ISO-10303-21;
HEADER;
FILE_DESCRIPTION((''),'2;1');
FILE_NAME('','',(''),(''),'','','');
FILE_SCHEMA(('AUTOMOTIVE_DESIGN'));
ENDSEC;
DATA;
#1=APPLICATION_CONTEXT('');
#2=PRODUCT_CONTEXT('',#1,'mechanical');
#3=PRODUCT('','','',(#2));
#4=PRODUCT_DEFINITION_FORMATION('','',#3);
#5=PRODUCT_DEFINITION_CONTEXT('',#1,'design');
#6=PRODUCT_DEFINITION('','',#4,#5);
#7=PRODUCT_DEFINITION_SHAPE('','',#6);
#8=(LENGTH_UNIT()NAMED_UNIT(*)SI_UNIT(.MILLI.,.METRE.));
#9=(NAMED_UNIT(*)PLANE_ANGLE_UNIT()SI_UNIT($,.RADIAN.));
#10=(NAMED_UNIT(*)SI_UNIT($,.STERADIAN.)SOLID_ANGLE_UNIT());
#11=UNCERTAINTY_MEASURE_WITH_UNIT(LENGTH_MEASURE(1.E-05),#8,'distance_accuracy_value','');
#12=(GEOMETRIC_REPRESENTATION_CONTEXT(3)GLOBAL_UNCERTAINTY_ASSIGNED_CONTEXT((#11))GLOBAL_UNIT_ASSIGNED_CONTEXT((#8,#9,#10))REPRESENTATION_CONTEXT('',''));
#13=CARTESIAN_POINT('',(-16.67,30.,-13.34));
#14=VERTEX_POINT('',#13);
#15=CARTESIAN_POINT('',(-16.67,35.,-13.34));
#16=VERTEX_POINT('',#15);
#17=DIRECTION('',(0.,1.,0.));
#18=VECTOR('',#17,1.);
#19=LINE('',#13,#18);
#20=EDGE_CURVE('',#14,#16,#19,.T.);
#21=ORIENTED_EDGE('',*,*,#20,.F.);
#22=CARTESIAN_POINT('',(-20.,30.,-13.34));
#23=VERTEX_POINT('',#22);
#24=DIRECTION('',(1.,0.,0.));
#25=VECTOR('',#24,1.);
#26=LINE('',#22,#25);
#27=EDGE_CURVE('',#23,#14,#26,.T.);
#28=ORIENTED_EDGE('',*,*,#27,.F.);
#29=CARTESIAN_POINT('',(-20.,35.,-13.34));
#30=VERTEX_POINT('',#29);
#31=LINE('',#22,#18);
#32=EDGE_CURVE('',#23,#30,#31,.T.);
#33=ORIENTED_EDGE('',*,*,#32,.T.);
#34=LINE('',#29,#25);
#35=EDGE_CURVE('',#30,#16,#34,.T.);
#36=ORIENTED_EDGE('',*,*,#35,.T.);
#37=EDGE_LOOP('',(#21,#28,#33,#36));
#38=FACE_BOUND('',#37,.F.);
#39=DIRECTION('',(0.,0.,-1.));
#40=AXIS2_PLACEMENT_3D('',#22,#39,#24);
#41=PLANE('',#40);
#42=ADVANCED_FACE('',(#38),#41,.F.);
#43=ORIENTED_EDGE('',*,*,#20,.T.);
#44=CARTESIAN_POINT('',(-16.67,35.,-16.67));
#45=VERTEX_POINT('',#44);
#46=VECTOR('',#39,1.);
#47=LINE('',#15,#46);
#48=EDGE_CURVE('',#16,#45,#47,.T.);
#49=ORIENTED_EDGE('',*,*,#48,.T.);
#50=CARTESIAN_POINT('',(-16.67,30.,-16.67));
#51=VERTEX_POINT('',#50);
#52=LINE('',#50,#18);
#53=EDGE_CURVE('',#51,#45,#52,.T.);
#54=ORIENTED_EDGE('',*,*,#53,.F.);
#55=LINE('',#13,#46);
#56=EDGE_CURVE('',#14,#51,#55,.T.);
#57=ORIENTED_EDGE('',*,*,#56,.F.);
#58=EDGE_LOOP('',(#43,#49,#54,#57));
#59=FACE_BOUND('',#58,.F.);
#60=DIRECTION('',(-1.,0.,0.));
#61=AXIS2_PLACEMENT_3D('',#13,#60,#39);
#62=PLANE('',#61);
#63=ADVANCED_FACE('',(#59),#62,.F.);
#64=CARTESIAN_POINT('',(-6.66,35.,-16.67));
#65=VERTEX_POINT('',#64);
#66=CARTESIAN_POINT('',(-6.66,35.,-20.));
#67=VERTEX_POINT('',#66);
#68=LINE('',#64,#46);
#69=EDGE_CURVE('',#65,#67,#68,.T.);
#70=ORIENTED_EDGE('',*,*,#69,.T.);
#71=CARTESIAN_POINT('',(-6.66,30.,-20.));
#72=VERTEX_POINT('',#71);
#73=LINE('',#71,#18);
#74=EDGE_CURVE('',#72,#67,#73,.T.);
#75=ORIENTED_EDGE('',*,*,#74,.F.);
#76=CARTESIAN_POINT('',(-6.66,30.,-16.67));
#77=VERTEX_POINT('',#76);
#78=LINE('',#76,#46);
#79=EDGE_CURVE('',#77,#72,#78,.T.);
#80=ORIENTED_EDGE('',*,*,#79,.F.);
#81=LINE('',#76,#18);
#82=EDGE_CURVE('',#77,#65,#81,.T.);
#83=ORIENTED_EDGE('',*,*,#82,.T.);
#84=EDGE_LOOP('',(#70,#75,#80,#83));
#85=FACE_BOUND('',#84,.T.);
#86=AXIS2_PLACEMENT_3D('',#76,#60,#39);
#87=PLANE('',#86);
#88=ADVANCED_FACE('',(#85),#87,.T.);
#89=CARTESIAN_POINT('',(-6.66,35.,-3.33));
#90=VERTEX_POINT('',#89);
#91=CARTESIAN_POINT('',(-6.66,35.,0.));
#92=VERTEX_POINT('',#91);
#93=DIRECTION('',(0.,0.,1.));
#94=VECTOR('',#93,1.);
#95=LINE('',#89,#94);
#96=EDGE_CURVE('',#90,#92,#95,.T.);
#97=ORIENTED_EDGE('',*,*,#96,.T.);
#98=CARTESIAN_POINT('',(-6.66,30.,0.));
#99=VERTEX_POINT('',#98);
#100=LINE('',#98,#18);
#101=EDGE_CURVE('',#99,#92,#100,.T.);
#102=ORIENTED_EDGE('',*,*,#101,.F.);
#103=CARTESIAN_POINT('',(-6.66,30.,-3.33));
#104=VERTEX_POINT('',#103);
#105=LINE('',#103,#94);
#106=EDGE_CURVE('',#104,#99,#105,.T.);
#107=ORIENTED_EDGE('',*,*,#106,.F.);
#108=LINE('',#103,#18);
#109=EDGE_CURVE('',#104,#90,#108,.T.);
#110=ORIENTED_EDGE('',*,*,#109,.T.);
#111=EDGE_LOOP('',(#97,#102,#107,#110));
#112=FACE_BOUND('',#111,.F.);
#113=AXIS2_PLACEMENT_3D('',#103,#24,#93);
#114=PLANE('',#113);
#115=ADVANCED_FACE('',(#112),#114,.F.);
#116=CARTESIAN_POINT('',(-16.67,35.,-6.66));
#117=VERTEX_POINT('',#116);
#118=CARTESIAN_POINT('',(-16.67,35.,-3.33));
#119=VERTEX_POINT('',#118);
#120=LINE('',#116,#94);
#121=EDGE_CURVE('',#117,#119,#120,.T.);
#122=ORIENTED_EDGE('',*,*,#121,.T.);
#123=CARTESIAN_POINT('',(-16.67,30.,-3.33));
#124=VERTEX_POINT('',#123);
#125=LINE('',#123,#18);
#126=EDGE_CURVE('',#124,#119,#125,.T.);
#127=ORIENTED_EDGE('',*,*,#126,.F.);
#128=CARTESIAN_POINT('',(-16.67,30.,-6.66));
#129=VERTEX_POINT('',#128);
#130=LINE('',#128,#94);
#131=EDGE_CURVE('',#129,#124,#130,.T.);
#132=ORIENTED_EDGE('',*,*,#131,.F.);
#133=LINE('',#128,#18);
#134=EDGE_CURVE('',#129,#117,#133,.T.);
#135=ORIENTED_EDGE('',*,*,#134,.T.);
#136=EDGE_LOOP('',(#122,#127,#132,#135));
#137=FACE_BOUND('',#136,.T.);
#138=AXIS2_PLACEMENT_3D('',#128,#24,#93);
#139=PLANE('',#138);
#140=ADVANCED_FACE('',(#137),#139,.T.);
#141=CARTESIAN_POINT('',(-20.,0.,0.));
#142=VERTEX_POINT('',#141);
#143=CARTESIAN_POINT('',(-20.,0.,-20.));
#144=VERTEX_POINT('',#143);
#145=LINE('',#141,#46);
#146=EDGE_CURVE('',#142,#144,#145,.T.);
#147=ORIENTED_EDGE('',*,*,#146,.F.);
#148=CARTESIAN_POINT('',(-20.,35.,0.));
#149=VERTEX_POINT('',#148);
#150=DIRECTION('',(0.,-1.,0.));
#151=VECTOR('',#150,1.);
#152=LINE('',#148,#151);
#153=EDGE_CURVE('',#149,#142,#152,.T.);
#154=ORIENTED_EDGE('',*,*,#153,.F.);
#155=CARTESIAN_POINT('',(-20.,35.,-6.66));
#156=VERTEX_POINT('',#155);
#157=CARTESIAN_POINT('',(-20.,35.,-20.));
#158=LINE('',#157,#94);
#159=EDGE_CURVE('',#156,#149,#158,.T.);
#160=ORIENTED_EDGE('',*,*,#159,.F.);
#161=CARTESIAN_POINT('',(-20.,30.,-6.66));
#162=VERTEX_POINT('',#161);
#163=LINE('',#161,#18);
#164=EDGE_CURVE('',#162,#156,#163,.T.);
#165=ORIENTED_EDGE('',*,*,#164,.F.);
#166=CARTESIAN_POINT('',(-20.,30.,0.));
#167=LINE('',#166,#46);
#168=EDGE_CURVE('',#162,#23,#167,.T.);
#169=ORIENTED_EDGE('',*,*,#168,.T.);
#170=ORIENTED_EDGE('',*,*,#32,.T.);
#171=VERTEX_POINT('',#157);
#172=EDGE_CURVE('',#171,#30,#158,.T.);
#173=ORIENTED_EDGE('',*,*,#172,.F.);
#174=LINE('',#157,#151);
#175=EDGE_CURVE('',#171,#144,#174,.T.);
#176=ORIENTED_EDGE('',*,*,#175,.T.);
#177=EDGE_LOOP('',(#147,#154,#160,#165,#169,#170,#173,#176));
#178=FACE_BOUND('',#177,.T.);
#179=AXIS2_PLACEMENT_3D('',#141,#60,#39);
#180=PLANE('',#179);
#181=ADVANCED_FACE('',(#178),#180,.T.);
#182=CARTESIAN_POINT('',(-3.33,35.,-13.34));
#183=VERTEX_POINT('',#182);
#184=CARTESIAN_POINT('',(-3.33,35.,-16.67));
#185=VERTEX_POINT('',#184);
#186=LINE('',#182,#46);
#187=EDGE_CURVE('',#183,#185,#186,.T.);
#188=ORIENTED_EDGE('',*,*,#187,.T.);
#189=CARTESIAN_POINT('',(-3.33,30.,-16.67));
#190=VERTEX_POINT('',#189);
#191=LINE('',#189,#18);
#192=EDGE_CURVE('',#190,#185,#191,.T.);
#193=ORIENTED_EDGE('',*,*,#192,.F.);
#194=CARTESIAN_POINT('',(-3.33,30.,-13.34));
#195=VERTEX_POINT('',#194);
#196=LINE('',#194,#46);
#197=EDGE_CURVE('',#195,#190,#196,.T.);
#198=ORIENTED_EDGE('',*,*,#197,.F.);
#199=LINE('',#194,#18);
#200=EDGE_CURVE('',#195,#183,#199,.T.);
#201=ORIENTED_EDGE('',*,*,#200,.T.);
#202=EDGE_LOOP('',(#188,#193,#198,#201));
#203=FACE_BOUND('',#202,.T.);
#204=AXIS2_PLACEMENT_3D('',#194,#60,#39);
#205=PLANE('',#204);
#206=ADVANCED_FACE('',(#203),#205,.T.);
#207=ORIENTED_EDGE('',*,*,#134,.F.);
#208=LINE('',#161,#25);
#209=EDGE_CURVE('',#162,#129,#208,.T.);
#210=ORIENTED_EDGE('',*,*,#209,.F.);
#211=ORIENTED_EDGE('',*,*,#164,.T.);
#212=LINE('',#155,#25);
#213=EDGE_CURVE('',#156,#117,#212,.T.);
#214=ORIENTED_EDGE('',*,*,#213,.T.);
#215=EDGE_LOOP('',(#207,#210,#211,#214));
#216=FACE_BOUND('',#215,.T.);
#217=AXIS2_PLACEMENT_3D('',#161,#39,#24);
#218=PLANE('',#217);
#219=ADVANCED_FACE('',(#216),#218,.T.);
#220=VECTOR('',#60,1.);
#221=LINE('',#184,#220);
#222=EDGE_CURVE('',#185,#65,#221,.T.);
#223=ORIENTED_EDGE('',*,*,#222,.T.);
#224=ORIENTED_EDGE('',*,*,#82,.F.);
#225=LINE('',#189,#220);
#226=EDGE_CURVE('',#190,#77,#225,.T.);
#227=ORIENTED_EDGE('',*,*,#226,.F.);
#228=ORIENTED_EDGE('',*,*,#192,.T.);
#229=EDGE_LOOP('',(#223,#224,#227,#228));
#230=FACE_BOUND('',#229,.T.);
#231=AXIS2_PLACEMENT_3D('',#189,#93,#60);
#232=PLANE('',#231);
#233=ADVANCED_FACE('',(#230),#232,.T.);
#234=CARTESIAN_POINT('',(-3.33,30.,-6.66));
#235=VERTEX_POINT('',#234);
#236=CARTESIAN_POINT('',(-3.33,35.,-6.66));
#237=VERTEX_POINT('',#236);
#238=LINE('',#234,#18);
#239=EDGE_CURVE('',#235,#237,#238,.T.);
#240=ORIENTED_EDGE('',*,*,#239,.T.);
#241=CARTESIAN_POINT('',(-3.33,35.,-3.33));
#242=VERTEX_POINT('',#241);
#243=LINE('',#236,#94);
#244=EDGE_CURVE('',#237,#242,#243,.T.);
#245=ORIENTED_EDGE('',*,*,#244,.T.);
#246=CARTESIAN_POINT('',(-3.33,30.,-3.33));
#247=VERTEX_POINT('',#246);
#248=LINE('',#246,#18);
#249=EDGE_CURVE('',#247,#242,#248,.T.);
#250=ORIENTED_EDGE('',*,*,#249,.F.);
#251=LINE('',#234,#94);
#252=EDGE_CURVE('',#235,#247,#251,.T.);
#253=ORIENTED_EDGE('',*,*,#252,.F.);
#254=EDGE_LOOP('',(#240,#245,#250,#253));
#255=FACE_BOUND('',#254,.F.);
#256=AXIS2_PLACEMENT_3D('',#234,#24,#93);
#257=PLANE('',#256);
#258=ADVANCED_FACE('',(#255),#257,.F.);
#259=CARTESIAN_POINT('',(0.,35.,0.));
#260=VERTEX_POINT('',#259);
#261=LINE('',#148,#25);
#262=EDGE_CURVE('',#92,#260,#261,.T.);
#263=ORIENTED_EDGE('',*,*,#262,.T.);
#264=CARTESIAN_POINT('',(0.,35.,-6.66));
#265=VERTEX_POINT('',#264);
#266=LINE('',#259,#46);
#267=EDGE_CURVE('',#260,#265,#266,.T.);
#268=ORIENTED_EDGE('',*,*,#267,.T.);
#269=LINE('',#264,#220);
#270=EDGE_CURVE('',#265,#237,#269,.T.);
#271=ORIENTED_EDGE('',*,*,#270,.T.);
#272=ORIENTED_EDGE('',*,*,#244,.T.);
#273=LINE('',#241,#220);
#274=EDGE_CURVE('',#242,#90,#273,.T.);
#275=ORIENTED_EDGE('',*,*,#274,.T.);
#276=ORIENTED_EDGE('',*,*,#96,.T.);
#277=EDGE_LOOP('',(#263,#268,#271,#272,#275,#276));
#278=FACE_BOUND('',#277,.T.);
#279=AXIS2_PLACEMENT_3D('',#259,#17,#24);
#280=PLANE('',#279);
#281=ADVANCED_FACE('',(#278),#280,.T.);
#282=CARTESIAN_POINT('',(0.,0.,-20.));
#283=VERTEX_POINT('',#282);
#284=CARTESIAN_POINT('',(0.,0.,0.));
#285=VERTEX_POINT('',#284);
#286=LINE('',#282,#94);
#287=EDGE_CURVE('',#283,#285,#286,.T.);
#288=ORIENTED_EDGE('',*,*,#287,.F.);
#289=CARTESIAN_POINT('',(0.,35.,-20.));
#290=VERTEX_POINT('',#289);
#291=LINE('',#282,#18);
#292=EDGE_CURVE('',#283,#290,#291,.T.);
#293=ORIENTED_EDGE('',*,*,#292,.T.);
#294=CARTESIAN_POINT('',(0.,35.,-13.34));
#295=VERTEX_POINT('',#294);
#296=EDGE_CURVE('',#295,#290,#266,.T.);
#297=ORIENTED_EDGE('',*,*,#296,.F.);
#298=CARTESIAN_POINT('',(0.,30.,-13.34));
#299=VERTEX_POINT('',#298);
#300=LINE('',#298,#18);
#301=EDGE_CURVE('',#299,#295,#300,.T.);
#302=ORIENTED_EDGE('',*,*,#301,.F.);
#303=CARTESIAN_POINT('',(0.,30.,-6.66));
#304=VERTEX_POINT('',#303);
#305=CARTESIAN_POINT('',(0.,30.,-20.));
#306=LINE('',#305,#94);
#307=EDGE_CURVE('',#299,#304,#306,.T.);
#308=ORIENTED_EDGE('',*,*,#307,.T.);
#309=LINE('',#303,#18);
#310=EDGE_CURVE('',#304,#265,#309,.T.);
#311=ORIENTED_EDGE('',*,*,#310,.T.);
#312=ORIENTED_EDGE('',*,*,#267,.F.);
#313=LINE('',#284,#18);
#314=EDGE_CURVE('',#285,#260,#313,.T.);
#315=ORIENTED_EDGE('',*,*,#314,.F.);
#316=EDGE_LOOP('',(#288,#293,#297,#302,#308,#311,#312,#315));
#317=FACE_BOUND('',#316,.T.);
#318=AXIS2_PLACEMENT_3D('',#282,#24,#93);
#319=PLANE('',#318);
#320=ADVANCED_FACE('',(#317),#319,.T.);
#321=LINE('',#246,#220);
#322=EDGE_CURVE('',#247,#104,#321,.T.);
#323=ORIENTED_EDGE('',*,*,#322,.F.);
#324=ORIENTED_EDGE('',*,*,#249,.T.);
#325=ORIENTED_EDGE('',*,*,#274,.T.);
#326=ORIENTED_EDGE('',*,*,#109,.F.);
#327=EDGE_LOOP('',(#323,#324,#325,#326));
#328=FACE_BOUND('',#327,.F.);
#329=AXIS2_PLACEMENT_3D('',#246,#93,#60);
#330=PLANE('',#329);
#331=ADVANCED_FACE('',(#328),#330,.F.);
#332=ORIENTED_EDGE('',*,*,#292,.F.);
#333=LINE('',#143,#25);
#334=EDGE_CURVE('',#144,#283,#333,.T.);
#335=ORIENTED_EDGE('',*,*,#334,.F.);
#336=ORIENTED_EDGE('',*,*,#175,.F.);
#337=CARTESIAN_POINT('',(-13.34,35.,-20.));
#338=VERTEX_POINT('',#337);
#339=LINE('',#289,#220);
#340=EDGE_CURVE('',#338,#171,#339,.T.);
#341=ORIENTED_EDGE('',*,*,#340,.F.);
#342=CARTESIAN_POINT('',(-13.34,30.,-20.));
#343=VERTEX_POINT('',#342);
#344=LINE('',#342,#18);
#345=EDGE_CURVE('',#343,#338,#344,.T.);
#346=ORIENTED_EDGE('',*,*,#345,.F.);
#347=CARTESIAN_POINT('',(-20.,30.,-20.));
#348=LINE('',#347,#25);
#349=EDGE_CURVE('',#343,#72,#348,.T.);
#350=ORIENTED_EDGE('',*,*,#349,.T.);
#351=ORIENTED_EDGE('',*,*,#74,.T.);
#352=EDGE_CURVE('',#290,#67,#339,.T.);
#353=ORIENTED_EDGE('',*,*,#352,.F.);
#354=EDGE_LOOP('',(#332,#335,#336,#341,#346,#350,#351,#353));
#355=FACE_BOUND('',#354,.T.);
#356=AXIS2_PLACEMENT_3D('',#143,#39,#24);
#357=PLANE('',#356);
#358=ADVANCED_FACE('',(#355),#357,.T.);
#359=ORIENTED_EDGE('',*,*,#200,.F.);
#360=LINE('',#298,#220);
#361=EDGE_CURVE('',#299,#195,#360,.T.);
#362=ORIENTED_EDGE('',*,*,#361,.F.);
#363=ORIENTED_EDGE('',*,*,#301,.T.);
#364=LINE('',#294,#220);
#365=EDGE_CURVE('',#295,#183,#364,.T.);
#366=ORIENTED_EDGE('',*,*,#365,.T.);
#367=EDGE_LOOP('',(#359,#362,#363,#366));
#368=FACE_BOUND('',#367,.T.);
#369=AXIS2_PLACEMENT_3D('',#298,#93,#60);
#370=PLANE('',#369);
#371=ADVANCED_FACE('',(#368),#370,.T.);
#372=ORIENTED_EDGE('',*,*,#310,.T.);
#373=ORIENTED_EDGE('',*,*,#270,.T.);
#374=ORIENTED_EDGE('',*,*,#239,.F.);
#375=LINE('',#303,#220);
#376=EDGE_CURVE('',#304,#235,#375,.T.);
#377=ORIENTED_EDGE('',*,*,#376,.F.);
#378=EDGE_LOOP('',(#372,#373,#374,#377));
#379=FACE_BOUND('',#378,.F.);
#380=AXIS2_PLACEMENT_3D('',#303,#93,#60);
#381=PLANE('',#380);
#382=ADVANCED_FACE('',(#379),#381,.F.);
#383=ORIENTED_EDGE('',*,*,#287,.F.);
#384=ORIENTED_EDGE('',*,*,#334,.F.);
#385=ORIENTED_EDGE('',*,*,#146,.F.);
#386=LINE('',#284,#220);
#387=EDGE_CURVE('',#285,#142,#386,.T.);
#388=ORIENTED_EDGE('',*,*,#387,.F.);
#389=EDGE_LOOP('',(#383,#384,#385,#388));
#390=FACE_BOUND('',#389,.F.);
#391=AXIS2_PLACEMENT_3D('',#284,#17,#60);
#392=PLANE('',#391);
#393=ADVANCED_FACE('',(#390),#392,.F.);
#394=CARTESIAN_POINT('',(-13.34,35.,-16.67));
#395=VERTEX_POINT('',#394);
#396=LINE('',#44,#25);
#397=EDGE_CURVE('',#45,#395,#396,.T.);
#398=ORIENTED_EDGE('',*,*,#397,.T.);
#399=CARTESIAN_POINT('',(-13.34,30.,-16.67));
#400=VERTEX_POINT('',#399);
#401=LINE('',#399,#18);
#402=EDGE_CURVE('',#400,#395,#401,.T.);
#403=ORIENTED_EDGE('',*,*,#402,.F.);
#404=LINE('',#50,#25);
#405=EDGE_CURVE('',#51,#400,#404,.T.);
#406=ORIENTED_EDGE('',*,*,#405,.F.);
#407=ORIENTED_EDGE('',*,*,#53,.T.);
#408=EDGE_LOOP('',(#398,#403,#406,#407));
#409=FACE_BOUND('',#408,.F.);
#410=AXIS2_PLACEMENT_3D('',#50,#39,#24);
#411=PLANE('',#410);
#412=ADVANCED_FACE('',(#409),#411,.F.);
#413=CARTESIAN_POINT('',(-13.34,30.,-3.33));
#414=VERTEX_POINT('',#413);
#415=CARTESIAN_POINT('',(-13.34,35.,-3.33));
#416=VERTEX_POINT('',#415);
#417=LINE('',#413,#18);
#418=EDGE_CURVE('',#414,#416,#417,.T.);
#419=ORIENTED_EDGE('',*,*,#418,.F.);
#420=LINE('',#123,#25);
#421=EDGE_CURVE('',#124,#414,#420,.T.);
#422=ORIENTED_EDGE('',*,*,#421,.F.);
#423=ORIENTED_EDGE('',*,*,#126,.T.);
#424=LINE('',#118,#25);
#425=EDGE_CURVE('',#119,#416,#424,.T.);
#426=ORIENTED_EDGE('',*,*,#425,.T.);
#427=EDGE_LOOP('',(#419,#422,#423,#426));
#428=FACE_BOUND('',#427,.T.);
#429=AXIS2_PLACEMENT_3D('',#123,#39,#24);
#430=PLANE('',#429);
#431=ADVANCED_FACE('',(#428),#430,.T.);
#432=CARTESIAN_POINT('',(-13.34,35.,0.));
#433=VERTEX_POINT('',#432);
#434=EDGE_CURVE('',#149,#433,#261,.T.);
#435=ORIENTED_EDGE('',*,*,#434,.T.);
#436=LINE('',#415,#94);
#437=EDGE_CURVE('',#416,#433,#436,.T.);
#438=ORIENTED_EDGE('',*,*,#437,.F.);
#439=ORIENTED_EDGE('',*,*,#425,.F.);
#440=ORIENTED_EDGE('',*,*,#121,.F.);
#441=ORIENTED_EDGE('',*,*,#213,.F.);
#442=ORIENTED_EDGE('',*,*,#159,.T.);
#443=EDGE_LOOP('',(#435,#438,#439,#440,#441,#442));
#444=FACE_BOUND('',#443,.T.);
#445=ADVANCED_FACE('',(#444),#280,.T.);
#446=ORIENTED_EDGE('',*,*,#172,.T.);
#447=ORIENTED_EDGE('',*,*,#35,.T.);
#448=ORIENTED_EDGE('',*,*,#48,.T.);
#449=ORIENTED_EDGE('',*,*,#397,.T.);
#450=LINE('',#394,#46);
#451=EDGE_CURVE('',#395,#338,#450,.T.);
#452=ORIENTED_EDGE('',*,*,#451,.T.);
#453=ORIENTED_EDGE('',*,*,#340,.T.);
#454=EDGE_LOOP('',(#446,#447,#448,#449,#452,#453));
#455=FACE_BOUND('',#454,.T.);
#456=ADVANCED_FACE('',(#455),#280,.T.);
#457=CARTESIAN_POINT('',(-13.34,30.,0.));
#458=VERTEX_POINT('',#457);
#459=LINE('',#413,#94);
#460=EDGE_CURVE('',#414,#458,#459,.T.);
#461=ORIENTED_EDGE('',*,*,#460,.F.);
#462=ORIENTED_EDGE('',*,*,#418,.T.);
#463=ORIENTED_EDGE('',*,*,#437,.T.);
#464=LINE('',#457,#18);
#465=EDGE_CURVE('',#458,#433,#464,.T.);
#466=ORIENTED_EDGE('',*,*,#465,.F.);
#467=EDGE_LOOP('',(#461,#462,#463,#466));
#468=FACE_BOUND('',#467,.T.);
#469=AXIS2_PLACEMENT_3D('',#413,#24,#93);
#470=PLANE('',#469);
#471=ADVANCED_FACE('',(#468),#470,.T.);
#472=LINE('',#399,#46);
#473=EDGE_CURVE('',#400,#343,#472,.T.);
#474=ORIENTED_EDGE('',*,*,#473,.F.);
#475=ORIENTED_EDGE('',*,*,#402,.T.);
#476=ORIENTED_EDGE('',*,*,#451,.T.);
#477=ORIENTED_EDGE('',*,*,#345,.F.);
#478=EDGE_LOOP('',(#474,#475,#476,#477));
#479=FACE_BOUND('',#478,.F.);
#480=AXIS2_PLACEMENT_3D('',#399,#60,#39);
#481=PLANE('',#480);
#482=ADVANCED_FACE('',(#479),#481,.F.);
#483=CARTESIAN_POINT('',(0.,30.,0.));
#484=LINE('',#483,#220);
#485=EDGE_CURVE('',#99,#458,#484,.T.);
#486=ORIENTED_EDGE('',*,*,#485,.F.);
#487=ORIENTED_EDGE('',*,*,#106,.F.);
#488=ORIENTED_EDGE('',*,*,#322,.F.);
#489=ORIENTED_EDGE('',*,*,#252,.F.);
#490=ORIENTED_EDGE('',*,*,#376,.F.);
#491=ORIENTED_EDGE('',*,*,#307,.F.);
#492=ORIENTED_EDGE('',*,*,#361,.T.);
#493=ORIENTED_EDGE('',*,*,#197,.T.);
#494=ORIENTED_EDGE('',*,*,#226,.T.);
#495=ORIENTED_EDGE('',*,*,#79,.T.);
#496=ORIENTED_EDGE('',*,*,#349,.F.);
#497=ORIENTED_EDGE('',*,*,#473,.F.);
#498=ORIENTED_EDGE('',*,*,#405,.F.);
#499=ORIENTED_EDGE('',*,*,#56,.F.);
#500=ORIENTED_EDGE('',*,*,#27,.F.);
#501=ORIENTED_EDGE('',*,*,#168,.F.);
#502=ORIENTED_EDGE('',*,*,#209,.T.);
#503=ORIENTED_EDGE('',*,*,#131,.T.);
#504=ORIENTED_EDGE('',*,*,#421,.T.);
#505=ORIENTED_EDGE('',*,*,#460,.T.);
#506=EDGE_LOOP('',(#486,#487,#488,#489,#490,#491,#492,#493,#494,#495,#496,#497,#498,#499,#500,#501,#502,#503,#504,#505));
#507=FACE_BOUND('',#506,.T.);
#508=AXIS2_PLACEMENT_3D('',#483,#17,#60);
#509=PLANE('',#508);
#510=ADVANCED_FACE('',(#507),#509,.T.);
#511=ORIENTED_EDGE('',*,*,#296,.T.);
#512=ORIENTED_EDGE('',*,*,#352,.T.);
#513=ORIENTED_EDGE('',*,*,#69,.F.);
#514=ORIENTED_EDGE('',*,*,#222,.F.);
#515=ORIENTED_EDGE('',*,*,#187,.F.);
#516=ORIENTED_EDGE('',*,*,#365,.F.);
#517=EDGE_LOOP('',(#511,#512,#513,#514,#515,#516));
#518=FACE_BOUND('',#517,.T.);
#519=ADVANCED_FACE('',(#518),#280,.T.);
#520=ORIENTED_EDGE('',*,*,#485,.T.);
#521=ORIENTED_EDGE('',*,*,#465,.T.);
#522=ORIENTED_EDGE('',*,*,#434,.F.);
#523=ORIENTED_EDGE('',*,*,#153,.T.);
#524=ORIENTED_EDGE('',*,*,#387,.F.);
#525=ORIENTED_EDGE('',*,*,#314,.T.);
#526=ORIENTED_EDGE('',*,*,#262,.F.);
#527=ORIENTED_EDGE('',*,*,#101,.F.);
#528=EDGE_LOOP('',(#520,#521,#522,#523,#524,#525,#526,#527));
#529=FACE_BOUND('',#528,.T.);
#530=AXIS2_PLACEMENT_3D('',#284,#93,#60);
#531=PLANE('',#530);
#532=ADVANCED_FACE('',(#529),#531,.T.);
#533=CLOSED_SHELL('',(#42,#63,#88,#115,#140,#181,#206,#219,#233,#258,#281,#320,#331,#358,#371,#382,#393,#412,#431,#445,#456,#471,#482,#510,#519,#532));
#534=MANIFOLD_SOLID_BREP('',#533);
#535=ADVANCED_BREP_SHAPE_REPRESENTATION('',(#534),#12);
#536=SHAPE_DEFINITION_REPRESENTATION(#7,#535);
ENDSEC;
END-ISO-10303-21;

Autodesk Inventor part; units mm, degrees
ref_plane "YZ Plane" through (0, 0, 0) normal (1, 0, 0) x (0, 1, 0)
ref_plane "XZ Plane" through (0, 0, 0) normal (0, 1, 0) x (-1, 0, 0)
ref_plane "XY Plane" through (0, 0, 0) normal (0, 0, 1) x (1, 0, 0)
sketch "Sketch1" plane through (0, 0, 0) normal (0, 1, 0) x (-1, 0, 0)
  line L0 (0, 0) -> (20, 0)
  line L1 (20, 0) -> (20, -20)
  line L2 (20, -20) -> (0, -20)
  line L3 (0, -20) -> (0, 0)
  dimension "d0" = 20
  dimension "d1" = 20
extrude "Extrusion1" add sketch "Sketch1" along normal blind 30
sketch "Sketch2" plane through (0, 30, 0) normal (0, 1, 0) x (1, 0, 0)
  line L0 (0, 20) -> (-20, 20) projected
  line L1 (-20, 20) -> (-20, 0) projected
  line L2 (-20, 0) -> (0, 0) projected
  line L3 (0, 0) -> (0, 20) projected
  line L4 (0, 0) -> (0, 20) projected
  line L5 (0, 0) -> (0, 6.66)
  line L6 (0, 6.66) -> (-3.33, 6.66)
  line L7 (-3.33, 6.66) -> (-3.33, 3.33)
  line L8 (-3.33, 3.33) -> (-6.66, 3.33)
  line L9 (-6.66, 3.33) -> (-6.66, 0)
  line L10 (-20, 0) -> (0, 0) projected
  line L11 (-10, 0) -> (-10, 20)
  line L12 (0, 20) -> (-20, 20) projected
  line L13 (0, 10) -> (-20, 10)
  line L14 (-20, 20) -> (-20, 0) projected
  line L15 (-20, 6.66) -> (-16.67, 6.66)
  line L16 (-16.67, 6.66) -> (-16.67, 3.33)
  line L17 (-16.67, 3.33) -> (-13.34, 3.33)
  line L18 (-13.34, 3.33) -> (-13.34, 0)
  line L19 (0, 13.34) -> (-3.33, 13.34)
  line L20 (-3.33, 13.34) -> (-3.33, 16.67)
  line L21 (-3.33, 16.67) -> (-6.66, 16.67)
  line L22 (-6.66, 16.67) -> (-6.66, 20)
  line L23 (-20, 13.34) -> (-16.67, 13.34)
  line L24 (-16.67, 13.34) -> (-16.67, 16.67)
  line L25 (-16.67, 16.67) -> (-13.34, 16.67)
  line L26 (-13.34, 16.67) -> (-13.34, 20)
  point P0 (-6.66, 20)
  point P1 (-13.34, 20)
  point P2 (-20, 6.66)
  point P3 (-13.34, 0)
  dimension "d4" = 6.66
  dimension "d5" = 3.33
  dimension "d6" = 3.33
  dimension "d7" = 3.33
extrude "Extrusion2" add sketch "Sketch2" along normal blind 5 contours L3 L19 L20 L21 L22 L0 | L26 L25 L24 L23 L1 L0 | L3 L2 L9 L8 L7 L6 | L2 L1 L15 L16 L17 L18
properties part number "rook"
